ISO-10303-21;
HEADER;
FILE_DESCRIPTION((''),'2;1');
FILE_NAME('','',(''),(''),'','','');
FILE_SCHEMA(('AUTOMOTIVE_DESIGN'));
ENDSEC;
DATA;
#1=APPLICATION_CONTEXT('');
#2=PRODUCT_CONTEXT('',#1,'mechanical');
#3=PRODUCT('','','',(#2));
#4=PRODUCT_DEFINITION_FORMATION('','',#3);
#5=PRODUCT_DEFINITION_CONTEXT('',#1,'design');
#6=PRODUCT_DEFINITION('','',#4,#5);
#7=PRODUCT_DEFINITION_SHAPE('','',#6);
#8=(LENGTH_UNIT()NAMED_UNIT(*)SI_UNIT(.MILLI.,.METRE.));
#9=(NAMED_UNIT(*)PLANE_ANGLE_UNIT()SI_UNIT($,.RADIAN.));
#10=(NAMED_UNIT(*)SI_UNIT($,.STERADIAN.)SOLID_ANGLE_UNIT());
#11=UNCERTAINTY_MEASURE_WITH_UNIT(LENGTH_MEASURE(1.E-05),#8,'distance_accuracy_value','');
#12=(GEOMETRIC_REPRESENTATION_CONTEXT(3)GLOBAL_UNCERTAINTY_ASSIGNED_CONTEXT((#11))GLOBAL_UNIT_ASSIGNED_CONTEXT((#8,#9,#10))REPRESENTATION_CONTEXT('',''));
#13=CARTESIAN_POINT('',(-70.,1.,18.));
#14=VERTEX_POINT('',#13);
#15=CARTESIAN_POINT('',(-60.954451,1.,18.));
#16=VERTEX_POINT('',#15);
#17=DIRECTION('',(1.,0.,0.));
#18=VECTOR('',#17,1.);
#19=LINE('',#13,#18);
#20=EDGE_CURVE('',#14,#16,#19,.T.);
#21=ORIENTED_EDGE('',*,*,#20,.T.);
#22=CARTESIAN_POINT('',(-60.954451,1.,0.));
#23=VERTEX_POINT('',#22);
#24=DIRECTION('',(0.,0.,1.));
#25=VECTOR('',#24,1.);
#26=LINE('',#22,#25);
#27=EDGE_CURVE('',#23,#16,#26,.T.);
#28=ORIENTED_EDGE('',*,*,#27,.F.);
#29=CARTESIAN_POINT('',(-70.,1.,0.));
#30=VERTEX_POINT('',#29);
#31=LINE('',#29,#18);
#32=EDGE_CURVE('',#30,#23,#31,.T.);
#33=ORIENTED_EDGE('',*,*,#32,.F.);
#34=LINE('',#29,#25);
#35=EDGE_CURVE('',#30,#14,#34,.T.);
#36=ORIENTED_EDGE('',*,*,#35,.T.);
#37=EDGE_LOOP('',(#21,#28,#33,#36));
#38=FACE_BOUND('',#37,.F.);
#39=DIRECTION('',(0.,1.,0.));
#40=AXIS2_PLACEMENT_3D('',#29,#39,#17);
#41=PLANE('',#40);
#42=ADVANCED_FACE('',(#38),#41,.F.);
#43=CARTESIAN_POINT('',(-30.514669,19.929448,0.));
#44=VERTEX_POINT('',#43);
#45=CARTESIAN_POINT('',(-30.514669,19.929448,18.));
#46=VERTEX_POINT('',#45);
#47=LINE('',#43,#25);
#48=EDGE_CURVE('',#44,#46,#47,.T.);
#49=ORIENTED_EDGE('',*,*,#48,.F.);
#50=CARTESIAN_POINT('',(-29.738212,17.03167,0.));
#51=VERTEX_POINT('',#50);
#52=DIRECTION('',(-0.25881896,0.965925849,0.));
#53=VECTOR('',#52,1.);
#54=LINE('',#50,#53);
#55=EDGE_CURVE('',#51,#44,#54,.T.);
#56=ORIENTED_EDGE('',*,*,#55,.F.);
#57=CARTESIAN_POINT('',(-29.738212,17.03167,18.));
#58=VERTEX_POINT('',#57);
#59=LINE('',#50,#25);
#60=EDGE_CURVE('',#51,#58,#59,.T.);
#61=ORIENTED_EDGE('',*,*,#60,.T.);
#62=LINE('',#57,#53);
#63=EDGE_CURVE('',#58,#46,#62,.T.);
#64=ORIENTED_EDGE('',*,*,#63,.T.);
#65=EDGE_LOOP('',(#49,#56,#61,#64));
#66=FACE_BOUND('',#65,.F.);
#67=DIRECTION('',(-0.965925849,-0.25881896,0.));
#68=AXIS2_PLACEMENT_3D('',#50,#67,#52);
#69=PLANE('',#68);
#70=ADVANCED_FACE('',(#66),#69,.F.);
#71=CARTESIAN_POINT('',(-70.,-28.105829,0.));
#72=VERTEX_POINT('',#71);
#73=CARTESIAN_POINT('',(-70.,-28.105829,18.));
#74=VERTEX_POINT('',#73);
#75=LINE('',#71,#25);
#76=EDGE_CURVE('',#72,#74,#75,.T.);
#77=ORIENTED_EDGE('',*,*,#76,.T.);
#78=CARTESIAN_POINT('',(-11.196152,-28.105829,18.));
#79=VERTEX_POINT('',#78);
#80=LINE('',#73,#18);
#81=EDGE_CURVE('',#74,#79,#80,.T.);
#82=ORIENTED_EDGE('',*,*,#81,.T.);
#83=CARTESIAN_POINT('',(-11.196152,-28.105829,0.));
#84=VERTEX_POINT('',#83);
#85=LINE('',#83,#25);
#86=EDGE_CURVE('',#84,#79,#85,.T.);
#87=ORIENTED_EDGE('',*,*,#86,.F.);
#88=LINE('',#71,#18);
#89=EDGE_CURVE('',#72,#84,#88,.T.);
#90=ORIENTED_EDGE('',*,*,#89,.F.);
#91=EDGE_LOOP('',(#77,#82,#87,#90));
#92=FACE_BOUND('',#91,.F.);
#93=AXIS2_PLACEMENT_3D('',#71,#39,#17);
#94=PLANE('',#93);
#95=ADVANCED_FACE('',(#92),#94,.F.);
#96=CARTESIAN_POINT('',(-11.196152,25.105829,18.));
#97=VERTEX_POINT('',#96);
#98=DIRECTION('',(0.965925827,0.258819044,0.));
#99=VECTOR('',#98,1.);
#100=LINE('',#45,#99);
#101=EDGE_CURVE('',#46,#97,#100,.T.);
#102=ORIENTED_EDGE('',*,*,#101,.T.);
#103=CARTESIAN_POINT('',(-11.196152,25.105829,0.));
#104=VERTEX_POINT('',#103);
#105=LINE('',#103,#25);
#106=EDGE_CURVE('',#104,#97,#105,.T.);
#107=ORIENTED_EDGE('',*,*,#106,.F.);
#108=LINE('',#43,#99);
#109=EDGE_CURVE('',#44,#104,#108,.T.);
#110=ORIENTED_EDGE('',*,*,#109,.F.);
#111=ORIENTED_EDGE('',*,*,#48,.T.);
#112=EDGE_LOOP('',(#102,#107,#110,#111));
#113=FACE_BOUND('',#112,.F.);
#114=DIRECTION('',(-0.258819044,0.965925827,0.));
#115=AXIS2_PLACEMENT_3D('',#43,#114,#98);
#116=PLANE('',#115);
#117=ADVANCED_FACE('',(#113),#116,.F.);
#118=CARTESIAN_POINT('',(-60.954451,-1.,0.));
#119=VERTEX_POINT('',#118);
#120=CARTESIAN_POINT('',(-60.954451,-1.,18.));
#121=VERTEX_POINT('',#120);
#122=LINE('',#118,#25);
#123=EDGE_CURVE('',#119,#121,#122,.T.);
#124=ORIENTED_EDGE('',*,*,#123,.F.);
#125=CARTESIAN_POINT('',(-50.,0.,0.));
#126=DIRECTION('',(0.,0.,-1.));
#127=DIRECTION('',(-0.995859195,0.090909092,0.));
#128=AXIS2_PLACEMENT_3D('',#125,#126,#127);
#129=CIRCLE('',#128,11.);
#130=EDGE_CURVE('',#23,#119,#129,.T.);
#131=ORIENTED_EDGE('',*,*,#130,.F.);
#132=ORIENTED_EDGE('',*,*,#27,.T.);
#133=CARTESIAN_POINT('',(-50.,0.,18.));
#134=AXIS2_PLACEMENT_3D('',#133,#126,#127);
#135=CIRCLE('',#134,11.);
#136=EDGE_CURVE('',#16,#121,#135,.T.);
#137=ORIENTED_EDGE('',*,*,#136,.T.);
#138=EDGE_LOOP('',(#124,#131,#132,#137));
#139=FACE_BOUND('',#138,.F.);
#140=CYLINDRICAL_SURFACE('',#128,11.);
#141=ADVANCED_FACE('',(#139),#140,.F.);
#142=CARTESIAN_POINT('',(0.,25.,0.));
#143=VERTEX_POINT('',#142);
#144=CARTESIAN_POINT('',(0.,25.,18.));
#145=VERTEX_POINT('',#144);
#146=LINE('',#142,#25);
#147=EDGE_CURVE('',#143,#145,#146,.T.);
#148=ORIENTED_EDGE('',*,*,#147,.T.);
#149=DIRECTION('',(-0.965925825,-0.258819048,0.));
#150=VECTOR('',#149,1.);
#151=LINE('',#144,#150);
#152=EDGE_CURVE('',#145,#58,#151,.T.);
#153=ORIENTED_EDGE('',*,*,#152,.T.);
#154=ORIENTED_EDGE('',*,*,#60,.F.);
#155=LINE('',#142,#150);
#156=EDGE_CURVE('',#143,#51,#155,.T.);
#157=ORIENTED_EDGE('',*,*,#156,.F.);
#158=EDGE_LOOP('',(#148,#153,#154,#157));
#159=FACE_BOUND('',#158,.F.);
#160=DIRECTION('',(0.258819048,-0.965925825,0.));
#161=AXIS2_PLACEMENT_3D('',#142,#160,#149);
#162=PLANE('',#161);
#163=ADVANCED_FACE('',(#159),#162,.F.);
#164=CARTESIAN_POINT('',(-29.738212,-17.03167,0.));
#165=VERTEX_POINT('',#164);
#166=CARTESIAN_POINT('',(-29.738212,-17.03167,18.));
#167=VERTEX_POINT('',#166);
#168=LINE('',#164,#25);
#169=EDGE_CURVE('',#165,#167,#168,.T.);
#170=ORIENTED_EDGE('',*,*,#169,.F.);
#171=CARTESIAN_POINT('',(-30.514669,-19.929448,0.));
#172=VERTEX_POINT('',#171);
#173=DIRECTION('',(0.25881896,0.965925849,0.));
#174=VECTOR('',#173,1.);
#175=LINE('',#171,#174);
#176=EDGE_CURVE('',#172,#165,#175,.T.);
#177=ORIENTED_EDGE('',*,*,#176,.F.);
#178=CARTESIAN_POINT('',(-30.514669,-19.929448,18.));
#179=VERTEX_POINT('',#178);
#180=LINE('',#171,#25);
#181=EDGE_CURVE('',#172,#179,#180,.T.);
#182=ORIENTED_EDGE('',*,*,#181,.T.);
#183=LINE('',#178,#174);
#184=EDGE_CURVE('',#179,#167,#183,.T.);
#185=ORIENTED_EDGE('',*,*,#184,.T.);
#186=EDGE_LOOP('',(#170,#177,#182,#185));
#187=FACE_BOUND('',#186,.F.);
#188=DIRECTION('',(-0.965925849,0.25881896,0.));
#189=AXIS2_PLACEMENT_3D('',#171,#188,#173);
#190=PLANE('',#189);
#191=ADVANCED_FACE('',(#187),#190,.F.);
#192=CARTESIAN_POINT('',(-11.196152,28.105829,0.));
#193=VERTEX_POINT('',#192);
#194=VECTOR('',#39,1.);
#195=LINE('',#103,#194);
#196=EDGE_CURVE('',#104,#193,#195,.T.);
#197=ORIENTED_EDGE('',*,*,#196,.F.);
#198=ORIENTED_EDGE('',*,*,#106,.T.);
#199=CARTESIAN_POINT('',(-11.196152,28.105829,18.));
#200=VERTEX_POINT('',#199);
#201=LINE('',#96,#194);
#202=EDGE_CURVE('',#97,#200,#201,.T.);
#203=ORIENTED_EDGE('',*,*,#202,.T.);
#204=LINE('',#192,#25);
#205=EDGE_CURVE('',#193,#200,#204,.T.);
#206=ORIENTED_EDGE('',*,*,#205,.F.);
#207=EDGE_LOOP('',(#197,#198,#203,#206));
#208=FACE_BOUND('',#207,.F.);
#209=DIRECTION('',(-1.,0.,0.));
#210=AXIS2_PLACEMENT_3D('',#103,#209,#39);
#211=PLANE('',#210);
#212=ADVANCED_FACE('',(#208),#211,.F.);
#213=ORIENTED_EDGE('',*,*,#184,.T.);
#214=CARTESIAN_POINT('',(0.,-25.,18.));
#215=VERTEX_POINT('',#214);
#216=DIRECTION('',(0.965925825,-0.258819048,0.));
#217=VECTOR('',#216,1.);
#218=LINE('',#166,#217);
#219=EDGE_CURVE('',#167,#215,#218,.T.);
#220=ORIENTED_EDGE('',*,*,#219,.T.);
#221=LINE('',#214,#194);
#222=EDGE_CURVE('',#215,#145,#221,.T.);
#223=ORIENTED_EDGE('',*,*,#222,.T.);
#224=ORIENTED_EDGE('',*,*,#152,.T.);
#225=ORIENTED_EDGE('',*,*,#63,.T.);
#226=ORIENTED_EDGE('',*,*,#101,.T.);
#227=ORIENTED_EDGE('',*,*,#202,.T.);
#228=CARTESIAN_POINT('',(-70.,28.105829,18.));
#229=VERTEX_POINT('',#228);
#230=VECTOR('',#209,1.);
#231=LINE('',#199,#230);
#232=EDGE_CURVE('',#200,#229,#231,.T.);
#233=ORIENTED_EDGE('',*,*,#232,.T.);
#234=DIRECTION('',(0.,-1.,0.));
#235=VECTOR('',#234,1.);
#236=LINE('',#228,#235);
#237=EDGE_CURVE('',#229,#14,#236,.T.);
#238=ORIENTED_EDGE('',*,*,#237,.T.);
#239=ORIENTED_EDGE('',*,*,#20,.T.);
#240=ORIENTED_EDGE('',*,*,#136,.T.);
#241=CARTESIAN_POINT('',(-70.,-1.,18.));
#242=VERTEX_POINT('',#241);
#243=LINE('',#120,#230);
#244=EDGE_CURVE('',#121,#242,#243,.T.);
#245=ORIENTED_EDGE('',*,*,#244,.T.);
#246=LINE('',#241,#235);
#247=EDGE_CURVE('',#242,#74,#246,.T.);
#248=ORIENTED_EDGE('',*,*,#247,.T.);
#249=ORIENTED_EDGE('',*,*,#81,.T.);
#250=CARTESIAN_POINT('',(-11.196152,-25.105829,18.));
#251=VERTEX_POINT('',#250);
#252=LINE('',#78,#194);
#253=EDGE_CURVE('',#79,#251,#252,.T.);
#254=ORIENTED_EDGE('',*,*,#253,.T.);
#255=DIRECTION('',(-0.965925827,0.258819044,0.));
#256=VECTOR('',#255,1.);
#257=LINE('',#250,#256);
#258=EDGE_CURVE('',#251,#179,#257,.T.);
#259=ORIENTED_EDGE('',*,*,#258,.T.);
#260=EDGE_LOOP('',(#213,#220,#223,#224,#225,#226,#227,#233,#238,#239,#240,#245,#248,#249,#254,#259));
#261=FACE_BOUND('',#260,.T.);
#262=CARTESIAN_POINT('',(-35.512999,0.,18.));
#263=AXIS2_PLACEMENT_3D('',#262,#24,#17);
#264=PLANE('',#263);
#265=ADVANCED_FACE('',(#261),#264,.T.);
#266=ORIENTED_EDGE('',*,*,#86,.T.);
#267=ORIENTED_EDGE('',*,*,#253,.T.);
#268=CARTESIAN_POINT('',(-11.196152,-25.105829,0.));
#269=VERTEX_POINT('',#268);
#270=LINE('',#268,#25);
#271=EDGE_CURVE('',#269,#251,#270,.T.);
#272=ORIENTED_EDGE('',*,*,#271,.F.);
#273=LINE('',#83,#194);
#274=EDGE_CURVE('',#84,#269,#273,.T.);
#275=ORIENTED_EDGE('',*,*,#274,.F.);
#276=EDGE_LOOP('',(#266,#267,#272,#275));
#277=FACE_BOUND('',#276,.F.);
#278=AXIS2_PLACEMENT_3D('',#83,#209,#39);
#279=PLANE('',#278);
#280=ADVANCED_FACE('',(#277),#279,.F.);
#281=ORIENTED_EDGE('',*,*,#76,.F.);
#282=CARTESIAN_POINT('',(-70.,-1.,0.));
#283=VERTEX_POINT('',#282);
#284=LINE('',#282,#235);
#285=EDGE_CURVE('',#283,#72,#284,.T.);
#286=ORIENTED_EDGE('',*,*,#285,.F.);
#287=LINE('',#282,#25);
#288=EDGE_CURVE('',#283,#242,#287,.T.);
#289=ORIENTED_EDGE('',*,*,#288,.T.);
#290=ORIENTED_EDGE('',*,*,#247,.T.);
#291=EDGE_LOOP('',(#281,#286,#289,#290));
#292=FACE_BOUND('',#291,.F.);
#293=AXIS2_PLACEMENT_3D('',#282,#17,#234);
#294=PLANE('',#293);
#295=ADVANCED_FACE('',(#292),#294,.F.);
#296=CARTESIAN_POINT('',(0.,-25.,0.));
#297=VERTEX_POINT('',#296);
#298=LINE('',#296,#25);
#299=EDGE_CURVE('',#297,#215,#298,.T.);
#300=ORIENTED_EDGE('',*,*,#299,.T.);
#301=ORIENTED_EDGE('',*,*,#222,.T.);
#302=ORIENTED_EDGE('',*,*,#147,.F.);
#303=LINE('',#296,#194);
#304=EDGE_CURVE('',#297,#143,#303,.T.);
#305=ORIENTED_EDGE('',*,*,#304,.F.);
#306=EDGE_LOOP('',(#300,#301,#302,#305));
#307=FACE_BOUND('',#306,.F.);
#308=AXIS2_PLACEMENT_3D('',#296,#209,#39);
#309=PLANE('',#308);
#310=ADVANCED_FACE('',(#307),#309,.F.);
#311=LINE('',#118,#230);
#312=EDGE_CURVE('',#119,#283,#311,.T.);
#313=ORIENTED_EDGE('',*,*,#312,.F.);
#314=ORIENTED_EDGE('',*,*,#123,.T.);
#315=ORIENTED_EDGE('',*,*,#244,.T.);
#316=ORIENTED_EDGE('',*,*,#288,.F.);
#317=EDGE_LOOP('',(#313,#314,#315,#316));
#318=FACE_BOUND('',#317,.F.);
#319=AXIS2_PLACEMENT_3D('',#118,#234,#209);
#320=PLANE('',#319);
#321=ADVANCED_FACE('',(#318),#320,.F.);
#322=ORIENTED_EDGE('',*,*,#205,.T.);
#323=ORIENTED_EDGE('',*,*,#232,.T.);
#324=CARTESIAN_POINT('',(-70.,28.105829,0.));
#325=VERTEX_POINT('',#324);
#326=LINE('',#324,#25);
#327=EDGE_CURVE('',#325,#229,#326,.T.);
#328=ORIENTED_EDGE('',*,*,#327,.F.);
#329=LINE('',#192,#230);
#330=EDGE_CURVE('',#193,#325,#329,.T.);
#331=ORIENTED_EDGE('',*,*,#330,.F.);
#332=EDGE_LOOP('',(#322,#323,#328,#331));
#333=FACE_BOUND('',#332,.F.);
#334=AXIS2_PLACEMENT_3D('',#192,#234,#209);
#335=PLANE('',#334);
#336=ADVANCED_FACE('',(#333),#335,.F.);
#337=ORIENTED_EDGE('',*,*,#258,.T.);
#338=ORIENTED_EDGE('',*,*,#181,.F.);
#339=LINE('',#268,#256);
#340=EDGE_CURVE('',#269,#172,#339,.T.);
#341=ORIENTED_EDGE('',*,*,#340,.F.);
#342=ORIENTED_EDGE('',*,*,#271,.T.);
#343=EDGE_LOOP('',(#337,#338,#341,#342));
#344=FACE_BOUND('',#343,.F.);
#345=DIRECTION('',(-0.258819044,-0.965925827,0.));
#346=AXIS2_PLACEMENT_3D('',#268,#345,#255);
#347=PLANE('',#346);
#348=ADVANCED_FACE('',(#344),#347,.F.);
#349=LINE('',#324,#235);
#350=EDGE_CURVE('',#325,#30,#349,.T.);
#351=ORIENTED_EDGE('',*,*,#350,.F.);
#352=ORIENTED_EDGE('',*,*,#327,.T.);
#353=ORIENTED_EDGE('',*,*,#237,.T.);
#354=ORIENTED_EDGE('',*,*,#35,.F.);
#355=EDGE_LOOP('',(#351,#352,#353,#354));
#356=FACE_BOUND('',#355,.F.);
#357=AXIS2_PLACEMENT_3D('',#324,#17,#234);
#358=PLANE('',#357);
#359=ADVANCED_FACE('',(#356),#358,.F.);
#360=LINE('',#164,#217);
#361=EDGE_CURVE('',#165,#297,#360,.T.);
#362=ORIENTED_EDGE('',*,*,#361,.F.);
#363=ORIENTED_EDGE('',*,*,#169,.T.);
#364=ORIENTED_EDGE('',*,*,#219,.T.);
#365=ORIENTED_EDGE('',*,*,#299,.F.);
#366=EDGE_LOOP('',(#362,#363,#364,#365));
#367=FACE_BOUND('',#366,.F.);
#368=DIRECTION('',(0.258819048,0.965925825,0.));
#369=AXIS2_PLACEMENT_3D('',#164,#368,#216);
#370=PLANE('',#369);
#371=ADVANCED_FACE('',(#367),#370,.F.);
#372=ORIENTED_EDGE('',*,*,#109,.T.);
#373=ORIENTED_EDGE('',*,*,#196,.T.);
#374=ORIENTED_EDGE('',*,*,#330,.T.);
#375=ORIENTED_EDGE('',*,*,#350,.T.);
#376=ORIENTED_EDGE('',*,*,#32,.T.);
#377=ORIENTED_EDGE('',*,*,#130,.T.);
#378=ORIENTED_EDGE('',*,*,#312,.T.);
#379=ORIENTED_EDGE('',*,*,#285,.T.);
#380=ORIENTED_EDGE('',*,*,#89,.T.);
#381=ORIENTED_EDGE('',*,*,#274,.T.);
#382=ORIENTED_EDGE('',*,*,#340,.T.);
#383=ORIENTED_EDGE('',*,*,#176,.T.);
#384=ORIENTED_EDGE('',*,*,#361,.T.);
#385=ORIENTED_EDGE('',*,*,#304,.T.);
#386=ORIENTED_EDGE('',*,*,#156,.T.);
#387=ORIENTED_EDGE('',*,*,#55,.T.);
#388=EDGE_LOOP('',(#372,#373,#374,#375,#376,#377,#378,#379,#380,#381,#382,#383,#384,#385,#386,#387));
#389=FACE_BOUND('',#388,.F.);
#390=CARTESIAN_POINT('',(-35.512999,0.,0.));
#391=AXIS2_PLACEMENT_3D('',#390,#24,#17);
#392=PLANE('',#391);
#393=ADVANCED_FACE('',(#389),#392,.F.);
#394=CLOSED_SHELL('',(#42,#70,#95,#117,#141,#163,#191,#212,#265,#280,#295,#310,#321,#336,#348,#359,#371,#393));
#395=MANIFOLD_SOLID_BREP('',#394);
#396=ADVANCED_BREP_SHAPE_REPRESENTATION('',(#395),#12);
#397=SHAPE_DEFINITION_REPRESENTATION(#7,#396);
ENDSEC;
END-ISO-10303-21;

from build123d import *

# Parameters (mm, degrees)
F1_DEPTH = 18


with BuildPart() as f1:
    # F0 (on Top) → F1 (new body)
    with BuildSketch(Plane.XY):
        with BuildLine():
            Line((-70, 28.105829), (-70, 1))
            Line((-70, 1), (-60.954451, 1))
            ThreePointArc((-60.954451, 1), (-39, 0), (-60.954451, -1))
            Line((-60.954451, -1), (-70, -1))
            Line((-70, -1), (-70, -28.105829))
            Line((-70, -28.105829), (-11.196152, -28.105829))
            Line((-11.196152, -28.105829), (-11.196152, -25.105829))
            Line((-11.196152, -25.105829), (-30.514669, -19.929448))
            Line((-30.514669, -19.929448), (-29.738212, -17.03167))
            Line((-29.738212, -17.03167), (0, -25))
            Line((0, -25), (0, 0))
            Line((0, 0), (0, 25))
            Line((0, 25), (-29.738212, 17.03167))
            Line((-29.738212, 17.03167), (-30.514669, 19.929448))
            Line((-30.514669, 19.929448), (-11.196152, 25.105829))
            Line((-11.196152, 25.105829), (-11.196152, 28.105829))
            Line((-11.196152, 28.105829), (-70, 28.105829))
        make_face()
    extrude(amount=F1_DEPTH)


solid = f1.part
